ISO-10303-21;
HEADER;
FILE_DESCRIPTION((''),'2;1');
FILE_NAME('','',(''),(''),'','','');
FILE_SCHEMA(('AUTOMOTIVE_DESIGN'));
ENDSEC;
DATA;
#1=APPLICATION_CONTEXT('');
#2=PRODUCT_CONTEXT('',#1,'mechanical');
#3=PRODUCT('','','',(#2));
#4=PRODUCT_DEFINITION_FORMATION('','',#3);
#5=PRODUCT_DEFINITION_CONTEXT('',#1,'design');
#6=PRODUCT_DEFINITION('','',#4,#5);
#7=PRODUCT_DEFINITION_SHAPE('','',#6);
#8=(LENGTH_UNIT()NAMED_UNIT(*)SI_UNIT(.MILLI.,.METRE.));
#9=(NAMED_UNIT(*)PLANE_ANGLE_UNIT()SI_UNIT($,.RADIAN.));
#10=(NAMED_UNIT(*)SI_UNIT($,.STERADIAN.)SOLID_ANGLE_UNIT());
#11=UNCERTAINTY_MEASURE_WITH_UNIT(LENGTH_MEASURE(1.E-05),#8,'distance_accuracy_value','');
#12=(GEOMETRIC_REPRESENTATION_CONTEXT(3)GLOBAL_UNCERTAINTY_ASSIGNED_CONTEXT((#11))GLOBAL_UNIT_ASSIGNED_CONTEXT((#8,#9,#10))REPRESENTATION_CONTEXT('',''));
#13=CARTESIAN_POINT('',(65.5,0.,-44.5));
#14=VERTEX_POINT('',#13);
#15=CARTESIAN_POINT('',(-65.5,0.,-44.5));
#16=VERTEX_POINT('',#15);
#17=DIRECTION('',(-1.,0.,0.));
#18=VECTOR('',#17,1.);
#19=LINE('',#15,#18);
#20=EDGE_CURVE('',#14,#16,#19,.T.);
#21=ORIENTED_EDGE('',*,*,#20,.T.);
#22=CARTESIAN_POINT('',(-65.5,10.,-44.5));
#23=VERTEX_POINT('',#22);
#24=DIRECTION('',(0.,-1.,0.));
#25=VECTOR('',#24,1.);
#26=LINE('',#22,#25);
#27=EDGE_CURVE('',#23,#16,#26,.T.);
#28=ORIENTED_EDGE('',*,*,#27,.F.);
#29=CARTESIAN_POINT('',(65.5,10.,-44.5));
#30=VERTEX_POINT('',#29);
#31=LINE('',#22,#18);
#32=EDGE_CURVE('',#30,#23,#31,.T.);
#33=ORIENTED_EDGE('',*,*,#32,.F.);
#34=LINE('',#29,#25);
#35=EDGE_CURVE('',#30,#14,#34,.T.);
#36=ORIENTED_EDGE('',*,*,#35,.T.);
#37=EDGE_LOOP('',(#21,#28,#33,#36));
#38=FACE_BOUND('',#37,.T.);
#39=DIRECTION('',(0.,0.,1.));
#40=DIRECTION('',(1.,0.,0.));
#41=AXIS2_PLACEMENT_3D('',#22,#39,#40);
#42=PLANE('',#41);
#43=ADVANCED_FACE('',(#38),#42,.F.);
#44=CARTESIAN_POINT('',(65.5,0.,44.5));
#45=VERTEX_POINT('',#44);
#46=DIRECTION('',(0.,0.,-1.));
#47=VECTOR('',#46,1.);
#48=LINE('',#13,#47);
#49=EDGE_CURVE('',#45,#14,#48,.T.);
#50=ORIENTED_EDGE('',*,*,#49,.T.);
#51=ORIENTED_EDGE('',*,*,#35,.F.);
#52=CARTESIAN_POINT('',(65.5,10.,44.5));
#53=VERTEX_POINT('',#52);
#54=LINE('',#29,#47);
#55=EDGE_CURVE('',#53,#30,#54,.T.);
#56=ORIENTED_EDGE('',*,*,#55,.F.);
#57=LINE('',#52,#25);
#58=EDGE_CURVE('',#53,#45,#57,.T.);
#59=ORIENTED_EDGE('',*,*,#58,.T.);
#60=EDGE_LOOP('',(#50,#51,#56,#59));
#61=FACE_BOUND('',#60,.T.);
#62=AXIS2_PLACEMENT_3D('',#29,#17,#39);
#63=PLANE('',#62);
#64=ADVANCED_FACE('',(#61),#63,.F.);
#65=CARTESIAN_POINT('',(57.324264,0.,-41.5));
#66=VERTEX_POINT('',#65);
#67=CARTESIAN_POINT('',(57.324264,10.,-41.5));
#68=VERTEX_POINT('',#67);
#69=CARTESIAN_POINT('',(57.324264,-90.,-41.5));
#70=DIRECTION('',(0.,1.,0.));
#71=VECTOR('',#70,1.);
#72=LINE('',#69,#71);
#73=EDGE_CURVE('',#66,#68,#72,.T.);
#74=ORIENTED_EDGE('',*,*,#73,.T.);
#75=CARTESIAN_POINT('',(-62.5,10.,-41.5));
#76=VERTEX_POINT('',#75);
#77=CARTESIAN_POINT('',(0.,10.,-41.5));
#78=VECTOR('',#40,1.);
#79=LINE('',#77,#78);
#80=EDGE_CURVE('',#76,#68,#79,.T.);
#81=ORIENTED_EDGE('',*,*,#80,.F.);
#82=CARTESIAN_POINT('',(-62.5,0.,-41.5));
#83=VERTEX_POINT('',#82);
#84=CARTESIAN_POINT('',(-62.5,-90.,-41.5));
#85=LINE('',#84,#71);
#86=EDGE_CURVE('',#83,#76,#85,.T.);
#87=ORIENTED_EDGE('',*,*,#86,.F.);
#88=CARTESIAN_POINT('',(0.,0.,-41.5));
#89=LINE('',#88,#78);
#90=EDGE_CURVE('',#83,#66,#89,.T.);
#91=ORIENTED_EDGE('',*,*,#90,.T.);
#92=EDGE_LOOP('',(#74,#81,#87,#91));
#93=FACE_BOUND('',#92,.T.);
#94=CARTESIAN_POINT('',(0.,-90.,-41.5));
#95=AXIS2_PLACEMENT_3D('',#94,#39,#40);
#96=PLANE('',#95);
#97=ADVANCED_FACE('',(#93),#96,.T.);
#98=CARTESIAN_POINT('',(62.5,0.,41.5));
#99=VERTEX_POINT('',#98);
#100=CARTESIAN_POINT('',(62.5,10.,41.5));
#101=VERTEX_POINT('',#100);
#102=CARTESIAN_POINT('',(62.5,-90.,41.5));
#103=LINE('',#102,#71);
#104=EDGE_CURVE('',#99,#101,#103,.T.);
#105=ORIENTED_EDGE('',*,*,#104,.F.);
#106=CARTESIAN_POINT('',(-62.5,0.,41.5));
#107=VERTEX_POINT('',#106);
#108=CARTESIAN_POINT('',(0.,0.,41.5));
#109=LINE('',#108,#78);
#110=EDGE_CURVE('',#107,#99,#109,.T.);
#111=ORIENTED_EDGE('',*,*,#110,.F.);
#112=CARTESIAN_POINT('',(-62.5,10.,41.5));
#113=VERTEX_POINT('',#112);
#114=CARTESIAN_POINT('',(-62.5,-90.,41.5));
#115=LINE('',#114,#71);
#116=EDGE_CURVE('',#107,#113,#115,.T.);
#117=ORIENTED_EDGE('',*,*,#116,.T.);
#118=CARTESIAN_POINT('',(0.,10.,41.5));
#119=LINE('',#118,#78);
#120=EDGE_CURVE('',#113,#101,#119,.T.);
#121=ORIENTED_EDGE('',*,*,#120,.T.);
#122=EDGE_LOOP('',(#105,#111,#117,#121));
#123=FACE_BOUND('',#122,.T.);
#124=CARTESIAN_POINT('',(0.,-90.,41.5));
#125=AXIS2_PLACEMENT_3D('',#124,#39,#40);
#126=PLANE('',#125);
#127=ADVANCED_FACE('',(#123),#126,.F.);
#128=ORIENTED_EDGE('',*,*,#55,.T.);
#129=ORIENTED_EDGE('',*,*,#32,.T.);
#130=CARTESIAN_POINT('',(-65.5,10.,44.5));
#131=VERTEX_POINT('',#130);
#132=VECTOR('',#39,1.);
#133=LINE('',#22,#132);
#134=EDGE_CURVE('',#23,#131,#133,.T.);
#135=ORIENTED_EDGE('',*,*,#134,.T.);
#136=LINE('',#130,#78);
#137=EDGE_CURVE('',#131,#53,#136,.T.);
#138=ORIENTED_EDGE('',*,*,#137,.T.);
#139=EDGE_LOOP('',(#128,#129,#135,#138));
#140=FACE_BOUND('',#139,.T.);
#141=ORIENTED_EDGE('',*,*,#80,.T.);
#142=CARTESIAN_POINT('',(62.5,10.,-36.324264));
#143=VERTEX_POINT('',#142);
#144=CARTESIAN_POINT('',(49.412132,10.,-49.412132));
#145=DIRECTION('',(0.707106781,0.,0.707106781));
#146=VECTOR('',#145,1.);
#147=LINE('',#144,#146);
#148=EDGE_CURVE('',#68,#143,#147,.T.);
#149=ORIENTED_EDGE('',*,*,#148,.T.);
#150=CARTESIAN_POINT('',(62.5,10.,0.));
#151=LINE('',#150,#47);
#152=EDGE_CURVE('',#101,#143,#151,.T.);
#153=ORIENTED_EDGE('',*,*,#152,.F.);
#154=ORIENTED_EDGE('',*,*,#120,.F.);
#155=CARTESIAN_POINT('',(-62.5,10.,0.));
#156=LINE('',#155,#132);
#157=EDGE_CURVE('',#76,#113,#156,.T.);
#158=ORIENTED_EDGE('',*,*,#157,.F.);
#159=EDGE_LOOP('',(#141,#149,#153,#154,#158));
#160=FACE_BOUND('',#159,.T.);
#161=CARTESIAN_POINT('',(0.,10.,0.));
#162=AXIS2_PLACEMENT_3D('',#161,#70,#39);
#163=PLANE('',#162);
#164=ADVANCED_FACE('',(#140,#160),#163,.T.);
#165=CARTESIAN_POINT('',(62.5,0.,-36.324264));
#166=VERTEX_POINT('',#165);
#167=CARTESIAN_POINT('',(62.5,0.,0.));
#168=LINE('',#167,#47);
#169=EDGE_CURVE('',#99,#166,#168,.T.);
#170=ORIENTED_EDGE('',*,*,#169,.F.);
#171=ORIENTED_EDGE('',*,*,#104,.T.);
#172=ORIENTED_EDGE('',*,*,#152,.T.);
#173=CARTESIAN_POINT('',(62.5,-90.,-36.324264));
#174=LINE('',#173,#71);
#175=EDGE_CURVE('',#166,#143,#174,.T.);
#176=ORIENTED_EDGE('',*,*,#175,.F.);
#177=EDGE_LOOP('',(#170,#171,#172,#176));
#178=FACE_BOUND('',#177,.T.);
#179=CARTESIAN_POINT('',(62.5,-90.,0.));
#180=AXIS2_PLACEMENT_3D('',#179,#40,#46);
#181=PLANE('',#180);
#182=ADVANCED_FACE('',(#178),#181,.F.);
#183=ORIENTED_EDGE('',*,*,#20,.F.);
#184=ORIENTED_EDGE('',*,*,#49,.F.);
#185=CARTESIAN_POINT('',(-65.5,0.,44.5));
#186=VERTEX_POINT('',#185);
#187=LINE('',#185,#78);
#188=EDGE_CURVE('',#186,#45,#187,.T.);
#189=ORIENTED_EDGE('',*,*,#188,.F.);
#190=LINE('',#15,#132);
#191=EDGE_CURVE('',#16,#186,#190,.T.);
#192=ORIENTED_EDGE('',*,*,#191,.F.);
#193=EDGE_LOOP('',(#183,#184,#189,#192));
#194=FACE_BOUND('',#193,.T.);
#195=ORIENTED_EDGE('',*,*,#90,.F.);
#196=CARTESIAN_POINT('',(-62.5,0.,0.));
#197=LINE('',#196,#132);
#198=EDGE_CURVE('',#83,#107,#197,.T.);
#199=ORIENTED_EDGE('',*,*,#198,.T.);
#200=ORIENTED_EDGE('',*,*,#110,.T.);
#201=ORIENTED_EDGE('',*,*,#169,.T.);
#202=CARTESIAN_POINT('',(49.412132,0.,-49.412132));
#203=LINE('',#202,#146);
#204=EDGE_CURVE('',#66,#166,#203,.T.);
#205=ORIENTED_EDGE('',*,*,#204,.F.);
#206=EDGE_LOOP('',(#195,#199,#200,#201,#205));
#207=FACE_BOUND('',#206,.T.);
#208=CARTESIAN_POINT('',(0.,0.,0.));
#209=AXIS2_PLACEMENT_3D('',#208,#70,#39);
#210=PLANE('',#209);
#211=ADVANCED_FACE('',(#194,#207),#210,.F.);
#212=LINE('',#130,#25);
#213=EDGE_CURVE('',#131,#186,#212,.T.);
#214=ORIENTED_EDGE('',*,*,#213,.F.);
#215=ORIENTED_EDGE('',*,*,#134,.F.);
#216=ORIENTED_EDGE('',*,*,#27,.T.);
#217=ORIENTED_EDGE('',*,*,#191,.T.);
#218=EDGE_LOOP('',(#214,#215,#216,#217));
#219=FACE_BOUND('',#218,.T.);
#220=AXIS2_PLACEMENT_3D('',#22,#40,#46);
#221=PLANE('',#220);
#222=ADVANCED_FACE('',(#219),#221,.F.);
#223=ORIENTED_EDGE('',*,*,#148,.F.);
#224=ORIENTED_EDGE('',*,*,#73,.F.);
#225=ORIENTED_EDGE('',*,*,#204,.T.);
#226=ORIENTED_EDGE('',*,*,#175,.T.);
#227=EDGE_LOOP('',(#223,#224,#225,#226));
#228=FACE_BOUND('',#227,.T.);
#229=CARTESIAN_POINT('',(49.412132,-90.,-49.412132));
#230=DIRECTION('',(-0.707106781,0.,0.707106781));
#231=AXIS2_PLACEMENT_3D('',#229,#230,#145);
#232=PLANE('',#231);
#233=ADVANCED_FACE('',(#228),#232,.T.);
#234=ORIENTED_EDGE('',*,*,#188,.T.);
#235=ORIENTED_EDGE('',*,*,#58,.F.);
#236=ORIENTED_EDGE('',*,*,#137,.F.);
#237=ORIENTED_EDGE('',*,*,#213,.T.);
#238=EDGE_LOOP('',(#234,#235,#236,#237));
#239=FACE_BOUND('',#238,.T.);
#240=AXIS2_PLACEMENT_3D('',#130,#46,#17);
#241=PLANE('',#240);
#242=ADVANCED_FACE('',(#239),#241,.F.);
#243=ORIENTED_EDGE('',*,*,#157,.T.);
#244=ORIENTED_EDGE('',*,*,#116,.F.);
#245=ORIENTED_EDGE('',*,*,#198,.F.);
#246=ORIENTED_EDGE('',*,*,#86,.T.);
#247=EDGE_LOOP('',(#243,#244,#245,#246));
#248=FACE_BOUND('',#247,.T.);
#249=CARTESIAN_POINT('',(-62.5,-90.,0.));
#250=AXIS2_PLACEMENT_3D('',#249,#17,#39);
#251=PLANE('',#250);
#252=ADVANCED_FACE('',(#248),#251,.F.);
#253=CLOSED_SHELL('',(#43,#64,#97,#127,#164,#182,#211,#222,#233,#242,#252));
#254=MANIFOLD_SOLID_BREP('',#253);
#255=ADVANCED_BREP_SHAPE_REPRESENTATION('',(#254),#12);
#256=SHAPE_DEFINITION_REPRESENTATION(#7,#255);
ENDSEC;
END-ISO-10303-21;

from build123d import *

# Parameters (mm, degrees)
SKETCH1_W           = 131
SKETCH1_H           = 89
BOSS_EXTRUDE1_DEPTH = 10
CUT_EXTRUDE1_DEPTH  = 100


with BuildPart() as part:
    # Sketch1 → Boss-Extrude1 (new body)
    with BuildSketch(Plane(origin=(0, 0, 0), x_dir=(1, 0, 0), z_dir=(0, 1, 0))):
        Rectangle(SKETCH1_W, SKETCH1_H)
    extrude(amount=BOSS_EXTRUDE1_DEPTH)

    # Sketch2 → Cut-Extrude1 (cut)
    # profile 1 of 2: a face of its own
    with BuildSketch(Plane(origin=(0, 10, 0), x_dir=(1, 0, 0), z_dir=(0, 1, 0))):
        Polygon((-62.5, 41.5), (-62.5, -41.5), (62.5, -41.5), (62.5, 36.324264069), (57.324264069, 41.5), align=None)
        Polygon((62.2, -41.2), (62.2, 36.2), (57.2, 41.2), (-62.2, 41.2), (-62.2, -41.2), align=None, mode=Mode.SUBTRACT)
    # profile 2 of 2: a face of its own
    with BuildSketch(Plane(origin=(0, 10, 0), x_dir=(1, 0, 0), z_dir=(0, 1, 0))):
        Polygon((-62.2, -41.2), (62.2, -41.2), (62.2, 36.2), (57.2, 41.2), (-62.2, 41.2), align=None)
    extrude(amount=-CUT_EXTRUDE1_DEPTH, mode=Mode.SUBTRACT)


solid = part.part
